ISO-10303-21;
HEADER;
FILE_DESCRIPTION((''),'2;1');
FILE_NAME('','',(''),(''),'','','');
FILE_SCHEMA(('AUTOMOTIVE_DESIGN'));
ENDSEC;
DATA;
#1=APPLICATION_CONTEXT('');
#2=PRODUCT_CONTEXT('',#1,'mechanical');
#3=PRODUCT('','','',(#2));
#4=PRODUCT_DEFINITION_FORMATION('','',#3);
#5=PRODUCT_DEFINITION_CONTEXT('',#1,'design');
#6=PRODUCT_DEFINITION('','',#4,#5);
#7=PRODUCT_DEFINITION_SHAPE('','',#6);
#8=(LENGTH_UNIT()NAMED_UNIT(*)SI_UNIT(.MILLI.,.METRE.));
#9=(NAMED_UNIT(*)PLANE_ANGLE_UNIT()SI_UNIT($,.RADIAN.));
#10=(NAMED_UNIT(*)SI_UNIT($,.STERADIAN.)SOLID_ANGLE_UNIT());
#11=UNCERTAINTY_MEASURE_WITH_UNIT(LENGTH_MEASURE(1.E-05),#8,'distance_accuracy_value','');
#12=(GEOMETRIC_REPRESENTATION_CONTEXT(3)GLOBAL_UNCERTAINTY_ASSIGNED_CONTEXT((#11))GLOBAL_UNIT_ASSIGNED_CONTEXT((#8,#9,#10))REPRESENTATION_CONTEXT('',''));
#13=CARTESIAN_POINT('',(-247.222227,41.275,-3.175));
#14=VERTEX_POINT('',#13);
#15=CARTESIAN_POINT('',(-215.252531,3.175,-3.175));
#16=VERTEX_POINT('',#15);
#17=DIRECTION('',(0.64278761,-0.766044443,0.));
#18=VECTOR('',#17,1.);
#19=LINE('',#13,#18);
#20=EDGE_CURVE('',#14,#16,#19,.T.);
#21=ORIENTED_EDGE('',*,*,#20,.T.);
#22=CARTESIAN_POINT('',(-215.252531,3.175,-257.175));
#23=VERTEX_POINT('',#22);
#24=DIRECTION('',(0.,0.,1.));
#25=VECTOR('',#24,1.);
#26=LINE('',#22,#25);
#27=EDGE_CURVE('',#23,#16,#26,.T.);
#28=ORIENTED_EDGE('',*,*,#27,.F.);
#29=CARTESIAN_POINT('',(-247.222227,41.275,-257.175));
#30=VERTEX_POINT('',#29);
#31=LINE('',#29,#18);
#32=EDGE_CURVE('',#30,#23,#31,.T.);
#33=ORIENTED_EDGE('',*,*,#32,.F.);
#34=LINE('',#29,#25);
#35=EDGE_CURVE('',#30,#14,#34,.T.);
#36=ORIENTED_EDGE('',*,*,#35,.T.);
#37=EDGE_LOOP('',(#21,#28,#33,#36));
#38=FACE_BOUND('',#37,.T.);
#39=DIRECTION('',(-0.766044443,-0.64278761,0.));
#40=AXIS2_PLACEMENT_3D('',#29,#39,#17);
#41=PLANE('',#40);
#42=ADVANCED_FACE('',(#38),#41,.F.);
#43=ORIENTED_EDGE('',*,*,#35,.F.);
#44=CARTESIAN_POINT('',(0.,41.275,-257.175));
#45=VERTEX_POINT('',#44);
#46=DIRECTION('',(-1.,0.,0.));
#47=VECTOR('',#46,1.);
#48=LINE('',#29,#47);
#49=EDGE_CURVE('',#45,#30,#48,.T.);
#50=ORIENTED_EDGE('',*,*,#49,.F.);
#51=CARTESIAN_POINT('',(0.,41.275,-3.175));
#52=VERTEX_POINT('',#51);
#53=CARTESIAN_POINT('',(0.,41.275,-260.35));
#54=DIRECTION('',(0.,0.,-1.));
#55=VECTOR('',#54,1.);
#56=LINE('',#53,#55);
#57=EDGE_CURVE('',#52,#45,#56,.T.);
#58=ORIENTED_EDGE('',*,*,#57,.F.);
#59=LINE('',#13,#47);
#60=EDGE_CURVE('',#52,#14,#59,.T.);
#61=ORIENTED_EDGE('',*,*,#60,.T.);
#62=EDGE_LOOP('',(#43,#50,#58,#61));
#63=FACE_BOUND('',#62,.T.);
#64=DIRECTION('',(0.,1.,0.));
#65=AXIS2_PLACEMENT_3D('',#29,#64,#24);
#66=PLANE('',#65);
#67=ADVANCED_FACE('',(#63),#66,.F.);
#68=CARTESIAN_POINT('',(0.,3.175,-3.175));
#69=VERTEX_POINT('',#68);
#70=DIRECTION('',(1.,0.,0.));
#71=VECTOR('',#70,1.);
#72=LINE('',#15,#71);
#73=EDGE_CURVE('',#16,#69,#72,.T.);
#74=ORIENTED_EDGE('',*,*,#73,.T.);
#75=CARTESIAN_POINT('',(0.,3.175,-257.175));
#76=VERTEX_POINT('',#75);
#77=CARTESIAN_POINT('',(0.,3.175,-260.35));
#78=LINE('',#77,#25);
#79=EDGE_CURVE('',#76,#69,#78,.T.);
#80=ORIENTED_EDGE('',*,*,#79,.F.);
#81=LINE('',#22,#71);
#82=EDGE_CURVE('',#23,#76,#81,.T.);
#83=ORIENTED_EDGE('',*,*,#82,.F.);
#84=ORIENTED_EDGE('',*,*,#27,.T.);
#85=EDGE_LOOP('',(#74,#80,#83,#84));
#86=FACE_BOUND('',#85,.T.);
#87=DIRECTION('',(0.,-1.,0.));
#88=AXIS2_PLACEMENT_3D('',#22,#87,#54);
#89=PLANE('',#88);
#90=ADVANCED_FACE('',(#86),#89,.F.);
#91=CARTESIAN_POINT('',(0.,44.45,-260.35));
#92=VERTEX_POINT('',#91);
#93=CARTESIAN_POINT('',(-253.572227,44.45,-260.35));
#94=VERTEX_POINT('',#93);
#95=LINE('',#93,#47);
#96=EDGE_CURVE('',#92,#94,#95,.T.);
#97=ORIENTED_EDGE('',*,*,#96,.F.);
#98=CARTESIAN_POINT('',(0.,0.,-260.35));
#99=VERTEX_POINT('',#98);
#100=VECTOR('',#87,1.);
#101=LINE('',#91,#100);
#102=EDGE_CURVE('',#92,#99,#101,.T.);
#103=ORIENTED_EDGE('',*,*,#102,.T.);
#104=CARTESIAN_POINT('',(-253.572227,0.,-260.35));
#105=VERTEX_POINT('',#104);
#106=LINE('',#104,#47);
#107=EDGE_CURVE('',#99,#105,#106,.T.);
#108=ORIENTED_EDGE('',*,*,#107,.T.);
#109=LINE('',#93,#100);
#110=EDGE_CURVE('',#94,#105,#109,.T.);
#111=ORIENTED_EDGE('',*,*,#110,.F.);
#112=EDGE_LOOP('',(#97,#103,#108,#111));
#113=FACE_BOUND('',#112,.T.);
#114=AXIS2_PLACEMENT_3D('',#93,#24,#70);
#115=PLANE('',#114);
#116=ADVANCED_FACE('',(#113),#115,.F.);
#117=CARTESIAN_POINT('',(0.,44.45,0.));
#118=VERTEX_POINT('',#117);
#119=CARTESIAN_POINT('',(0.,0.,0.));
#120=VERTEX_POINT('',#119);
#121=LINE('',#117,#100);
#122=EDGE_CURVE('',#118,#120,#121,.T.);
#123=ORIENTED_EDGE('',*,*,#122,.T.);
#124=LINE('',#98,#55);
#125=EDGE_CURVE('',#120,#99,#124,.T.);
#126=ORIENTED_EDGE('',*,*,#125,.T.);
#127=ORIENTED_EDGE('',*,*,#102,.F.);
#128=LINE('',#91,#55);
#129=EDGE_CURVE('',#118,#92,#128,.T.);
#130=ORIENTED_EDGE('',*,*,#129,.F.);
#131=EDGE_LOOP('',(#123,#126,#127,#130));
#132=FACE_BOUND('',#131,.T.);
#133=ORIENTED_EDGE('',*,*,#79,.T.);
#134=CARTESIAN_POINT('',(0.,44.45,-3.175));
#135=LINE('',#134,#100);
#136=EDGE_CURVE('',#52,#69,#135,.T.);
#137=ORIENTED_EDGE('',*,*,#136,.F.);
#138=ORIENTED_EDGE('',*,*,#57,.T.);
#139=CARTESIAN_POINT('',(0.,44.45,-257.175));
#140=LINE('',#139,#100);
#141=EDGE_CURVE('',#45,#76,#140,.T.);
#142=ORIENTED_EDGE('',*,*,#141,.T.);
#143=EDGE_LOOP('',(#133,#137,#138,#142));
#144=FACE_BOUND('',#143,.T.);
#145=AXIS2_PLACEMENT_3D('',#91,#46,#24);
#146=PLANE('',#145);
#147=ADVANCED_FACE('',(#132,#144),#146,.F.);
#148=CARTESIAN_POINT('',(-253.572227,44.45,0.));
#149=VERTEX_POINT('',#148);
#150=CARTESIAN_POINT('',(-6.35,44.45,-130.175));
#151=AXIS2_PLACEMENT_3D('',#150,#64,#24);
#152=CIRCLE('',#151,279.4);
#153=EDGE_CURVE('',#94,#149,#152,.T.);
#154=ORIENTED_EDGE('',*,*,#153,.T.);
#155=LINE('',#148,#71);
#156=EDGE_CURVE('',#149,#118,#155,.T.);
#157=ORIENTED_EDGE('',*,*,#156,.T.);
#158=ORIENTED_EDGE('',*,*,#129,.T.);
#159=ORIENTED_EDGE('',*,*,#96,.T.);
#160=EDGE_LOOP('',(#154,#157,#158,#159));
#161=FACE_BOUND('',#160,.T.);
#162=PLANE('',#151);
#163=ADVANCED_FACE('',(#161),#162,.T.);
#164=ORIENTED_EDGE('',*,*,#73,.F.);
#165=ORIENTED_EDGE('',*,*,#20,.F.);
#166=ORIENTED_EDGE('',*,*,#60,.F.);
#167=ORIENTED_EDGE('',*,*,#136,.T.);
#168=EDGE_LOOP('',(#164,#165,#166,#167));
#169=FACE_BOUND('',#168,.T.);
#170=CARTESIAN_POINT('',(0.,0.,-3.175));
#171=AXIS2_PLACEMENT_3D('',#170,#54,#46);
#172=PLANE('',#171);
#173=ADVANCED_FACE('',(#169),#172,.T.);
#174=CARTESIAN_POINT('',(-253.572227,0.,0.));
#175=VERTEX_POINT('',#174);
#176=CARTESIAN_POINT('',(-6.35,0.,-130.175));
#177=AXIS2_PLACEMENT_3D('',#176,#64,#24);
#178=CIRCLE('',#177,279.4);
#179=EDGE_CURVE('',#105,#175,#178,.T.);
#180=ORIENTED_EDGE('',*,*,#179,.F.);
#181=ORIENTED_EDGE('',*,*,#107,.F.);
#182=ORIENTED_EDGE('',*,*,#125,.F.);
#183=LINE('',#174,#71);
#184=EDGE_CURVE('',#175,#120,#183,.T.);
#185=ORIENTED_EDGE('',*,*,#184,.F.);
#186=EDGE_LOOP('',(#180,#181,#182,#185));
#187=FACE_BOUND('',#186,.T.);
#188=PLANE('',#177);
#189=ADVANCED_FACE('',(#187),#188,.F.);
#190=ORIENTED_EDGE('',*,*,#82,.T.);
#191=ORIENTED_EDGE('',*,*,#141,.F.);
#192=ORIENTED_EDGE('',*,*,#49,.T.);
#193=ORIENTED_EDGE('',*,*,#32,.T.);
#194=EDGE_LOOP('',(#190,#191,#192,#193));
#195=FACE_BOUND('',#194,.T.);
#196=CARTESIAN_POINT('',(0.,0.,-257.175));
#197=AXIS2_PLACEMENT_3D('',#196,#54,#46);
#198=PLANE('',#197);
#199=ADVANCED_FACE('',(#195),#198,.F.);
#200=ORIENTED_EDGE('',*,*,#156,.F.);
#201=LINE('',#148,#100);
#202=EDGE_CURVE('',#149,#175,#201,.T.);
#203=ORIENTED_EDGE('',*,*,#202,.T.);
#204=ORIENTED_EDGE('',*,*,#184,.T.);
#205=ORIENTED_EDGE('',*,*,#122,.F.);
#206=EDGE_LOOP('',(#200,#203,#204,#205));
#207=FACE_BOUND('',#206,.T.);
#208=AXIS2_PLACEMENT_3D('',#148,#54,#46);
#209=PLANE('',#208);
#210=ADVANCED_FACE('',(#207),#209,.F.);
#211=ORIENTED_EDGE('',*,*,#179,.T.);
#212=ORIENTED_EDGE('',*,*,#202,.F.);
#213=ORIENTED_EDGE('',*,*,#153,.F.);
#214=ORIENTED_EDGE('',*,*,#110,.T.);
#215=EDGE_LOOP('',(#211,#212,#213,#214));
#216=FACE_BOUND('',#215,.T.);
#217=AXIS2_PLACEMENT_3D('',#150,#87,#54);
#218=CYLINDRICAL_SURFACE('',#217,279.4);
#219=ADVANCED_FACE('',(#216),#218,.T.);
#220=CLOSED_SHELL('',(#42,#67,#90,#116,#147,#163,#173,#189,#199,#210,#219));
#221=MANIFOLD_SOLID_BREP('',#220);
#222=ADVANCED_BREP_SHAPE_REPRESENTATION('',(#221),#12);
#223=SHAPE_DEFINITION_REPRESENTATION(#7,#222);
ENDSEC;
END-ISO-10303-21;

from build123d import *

# Parameters (mm, degrees)
BOSS_EXTRUDE1_DEPTH = 44.45
CUT_EXTRUDE2_DEPTH  = 254


with BuildPart() as part:
    # Sketch1 → Boss-Extrude1 (new body)
    with BuildSketch(Plane(origin=(0, 0, 0), x_dir=(1, 0, 0), z_dir=(0, 1, 0))):
        with BuildLine():
            Line((-253.572226701, 260.35), (0, 260.35))
            Line((0, 260.35), (0, 0))
            Line((0, 0), (-253.572226701, 0))
            ThreePointArc((-253.572226701, 0), (-285.75, 130.175), (-253.572226701, 260.35))
        make_face()
    extrude(amount=BOSS_EXTRUDE1_DEPTH)

    # Sketch2 → Cut-Extrude2 (cut)
    with BuildSketch(Plane.XY.offset(-3.175)):
        Polygon((-247.222226701, 41.275), (-215.252530753, 3.175), (32.837570188, 3.175), (32.837570188, 41.275), align=None)
    extrude(amount=-CUT_EXTRUDE2_DEPTH, mode=Mode.SUBTRACT)


solid = part.part
